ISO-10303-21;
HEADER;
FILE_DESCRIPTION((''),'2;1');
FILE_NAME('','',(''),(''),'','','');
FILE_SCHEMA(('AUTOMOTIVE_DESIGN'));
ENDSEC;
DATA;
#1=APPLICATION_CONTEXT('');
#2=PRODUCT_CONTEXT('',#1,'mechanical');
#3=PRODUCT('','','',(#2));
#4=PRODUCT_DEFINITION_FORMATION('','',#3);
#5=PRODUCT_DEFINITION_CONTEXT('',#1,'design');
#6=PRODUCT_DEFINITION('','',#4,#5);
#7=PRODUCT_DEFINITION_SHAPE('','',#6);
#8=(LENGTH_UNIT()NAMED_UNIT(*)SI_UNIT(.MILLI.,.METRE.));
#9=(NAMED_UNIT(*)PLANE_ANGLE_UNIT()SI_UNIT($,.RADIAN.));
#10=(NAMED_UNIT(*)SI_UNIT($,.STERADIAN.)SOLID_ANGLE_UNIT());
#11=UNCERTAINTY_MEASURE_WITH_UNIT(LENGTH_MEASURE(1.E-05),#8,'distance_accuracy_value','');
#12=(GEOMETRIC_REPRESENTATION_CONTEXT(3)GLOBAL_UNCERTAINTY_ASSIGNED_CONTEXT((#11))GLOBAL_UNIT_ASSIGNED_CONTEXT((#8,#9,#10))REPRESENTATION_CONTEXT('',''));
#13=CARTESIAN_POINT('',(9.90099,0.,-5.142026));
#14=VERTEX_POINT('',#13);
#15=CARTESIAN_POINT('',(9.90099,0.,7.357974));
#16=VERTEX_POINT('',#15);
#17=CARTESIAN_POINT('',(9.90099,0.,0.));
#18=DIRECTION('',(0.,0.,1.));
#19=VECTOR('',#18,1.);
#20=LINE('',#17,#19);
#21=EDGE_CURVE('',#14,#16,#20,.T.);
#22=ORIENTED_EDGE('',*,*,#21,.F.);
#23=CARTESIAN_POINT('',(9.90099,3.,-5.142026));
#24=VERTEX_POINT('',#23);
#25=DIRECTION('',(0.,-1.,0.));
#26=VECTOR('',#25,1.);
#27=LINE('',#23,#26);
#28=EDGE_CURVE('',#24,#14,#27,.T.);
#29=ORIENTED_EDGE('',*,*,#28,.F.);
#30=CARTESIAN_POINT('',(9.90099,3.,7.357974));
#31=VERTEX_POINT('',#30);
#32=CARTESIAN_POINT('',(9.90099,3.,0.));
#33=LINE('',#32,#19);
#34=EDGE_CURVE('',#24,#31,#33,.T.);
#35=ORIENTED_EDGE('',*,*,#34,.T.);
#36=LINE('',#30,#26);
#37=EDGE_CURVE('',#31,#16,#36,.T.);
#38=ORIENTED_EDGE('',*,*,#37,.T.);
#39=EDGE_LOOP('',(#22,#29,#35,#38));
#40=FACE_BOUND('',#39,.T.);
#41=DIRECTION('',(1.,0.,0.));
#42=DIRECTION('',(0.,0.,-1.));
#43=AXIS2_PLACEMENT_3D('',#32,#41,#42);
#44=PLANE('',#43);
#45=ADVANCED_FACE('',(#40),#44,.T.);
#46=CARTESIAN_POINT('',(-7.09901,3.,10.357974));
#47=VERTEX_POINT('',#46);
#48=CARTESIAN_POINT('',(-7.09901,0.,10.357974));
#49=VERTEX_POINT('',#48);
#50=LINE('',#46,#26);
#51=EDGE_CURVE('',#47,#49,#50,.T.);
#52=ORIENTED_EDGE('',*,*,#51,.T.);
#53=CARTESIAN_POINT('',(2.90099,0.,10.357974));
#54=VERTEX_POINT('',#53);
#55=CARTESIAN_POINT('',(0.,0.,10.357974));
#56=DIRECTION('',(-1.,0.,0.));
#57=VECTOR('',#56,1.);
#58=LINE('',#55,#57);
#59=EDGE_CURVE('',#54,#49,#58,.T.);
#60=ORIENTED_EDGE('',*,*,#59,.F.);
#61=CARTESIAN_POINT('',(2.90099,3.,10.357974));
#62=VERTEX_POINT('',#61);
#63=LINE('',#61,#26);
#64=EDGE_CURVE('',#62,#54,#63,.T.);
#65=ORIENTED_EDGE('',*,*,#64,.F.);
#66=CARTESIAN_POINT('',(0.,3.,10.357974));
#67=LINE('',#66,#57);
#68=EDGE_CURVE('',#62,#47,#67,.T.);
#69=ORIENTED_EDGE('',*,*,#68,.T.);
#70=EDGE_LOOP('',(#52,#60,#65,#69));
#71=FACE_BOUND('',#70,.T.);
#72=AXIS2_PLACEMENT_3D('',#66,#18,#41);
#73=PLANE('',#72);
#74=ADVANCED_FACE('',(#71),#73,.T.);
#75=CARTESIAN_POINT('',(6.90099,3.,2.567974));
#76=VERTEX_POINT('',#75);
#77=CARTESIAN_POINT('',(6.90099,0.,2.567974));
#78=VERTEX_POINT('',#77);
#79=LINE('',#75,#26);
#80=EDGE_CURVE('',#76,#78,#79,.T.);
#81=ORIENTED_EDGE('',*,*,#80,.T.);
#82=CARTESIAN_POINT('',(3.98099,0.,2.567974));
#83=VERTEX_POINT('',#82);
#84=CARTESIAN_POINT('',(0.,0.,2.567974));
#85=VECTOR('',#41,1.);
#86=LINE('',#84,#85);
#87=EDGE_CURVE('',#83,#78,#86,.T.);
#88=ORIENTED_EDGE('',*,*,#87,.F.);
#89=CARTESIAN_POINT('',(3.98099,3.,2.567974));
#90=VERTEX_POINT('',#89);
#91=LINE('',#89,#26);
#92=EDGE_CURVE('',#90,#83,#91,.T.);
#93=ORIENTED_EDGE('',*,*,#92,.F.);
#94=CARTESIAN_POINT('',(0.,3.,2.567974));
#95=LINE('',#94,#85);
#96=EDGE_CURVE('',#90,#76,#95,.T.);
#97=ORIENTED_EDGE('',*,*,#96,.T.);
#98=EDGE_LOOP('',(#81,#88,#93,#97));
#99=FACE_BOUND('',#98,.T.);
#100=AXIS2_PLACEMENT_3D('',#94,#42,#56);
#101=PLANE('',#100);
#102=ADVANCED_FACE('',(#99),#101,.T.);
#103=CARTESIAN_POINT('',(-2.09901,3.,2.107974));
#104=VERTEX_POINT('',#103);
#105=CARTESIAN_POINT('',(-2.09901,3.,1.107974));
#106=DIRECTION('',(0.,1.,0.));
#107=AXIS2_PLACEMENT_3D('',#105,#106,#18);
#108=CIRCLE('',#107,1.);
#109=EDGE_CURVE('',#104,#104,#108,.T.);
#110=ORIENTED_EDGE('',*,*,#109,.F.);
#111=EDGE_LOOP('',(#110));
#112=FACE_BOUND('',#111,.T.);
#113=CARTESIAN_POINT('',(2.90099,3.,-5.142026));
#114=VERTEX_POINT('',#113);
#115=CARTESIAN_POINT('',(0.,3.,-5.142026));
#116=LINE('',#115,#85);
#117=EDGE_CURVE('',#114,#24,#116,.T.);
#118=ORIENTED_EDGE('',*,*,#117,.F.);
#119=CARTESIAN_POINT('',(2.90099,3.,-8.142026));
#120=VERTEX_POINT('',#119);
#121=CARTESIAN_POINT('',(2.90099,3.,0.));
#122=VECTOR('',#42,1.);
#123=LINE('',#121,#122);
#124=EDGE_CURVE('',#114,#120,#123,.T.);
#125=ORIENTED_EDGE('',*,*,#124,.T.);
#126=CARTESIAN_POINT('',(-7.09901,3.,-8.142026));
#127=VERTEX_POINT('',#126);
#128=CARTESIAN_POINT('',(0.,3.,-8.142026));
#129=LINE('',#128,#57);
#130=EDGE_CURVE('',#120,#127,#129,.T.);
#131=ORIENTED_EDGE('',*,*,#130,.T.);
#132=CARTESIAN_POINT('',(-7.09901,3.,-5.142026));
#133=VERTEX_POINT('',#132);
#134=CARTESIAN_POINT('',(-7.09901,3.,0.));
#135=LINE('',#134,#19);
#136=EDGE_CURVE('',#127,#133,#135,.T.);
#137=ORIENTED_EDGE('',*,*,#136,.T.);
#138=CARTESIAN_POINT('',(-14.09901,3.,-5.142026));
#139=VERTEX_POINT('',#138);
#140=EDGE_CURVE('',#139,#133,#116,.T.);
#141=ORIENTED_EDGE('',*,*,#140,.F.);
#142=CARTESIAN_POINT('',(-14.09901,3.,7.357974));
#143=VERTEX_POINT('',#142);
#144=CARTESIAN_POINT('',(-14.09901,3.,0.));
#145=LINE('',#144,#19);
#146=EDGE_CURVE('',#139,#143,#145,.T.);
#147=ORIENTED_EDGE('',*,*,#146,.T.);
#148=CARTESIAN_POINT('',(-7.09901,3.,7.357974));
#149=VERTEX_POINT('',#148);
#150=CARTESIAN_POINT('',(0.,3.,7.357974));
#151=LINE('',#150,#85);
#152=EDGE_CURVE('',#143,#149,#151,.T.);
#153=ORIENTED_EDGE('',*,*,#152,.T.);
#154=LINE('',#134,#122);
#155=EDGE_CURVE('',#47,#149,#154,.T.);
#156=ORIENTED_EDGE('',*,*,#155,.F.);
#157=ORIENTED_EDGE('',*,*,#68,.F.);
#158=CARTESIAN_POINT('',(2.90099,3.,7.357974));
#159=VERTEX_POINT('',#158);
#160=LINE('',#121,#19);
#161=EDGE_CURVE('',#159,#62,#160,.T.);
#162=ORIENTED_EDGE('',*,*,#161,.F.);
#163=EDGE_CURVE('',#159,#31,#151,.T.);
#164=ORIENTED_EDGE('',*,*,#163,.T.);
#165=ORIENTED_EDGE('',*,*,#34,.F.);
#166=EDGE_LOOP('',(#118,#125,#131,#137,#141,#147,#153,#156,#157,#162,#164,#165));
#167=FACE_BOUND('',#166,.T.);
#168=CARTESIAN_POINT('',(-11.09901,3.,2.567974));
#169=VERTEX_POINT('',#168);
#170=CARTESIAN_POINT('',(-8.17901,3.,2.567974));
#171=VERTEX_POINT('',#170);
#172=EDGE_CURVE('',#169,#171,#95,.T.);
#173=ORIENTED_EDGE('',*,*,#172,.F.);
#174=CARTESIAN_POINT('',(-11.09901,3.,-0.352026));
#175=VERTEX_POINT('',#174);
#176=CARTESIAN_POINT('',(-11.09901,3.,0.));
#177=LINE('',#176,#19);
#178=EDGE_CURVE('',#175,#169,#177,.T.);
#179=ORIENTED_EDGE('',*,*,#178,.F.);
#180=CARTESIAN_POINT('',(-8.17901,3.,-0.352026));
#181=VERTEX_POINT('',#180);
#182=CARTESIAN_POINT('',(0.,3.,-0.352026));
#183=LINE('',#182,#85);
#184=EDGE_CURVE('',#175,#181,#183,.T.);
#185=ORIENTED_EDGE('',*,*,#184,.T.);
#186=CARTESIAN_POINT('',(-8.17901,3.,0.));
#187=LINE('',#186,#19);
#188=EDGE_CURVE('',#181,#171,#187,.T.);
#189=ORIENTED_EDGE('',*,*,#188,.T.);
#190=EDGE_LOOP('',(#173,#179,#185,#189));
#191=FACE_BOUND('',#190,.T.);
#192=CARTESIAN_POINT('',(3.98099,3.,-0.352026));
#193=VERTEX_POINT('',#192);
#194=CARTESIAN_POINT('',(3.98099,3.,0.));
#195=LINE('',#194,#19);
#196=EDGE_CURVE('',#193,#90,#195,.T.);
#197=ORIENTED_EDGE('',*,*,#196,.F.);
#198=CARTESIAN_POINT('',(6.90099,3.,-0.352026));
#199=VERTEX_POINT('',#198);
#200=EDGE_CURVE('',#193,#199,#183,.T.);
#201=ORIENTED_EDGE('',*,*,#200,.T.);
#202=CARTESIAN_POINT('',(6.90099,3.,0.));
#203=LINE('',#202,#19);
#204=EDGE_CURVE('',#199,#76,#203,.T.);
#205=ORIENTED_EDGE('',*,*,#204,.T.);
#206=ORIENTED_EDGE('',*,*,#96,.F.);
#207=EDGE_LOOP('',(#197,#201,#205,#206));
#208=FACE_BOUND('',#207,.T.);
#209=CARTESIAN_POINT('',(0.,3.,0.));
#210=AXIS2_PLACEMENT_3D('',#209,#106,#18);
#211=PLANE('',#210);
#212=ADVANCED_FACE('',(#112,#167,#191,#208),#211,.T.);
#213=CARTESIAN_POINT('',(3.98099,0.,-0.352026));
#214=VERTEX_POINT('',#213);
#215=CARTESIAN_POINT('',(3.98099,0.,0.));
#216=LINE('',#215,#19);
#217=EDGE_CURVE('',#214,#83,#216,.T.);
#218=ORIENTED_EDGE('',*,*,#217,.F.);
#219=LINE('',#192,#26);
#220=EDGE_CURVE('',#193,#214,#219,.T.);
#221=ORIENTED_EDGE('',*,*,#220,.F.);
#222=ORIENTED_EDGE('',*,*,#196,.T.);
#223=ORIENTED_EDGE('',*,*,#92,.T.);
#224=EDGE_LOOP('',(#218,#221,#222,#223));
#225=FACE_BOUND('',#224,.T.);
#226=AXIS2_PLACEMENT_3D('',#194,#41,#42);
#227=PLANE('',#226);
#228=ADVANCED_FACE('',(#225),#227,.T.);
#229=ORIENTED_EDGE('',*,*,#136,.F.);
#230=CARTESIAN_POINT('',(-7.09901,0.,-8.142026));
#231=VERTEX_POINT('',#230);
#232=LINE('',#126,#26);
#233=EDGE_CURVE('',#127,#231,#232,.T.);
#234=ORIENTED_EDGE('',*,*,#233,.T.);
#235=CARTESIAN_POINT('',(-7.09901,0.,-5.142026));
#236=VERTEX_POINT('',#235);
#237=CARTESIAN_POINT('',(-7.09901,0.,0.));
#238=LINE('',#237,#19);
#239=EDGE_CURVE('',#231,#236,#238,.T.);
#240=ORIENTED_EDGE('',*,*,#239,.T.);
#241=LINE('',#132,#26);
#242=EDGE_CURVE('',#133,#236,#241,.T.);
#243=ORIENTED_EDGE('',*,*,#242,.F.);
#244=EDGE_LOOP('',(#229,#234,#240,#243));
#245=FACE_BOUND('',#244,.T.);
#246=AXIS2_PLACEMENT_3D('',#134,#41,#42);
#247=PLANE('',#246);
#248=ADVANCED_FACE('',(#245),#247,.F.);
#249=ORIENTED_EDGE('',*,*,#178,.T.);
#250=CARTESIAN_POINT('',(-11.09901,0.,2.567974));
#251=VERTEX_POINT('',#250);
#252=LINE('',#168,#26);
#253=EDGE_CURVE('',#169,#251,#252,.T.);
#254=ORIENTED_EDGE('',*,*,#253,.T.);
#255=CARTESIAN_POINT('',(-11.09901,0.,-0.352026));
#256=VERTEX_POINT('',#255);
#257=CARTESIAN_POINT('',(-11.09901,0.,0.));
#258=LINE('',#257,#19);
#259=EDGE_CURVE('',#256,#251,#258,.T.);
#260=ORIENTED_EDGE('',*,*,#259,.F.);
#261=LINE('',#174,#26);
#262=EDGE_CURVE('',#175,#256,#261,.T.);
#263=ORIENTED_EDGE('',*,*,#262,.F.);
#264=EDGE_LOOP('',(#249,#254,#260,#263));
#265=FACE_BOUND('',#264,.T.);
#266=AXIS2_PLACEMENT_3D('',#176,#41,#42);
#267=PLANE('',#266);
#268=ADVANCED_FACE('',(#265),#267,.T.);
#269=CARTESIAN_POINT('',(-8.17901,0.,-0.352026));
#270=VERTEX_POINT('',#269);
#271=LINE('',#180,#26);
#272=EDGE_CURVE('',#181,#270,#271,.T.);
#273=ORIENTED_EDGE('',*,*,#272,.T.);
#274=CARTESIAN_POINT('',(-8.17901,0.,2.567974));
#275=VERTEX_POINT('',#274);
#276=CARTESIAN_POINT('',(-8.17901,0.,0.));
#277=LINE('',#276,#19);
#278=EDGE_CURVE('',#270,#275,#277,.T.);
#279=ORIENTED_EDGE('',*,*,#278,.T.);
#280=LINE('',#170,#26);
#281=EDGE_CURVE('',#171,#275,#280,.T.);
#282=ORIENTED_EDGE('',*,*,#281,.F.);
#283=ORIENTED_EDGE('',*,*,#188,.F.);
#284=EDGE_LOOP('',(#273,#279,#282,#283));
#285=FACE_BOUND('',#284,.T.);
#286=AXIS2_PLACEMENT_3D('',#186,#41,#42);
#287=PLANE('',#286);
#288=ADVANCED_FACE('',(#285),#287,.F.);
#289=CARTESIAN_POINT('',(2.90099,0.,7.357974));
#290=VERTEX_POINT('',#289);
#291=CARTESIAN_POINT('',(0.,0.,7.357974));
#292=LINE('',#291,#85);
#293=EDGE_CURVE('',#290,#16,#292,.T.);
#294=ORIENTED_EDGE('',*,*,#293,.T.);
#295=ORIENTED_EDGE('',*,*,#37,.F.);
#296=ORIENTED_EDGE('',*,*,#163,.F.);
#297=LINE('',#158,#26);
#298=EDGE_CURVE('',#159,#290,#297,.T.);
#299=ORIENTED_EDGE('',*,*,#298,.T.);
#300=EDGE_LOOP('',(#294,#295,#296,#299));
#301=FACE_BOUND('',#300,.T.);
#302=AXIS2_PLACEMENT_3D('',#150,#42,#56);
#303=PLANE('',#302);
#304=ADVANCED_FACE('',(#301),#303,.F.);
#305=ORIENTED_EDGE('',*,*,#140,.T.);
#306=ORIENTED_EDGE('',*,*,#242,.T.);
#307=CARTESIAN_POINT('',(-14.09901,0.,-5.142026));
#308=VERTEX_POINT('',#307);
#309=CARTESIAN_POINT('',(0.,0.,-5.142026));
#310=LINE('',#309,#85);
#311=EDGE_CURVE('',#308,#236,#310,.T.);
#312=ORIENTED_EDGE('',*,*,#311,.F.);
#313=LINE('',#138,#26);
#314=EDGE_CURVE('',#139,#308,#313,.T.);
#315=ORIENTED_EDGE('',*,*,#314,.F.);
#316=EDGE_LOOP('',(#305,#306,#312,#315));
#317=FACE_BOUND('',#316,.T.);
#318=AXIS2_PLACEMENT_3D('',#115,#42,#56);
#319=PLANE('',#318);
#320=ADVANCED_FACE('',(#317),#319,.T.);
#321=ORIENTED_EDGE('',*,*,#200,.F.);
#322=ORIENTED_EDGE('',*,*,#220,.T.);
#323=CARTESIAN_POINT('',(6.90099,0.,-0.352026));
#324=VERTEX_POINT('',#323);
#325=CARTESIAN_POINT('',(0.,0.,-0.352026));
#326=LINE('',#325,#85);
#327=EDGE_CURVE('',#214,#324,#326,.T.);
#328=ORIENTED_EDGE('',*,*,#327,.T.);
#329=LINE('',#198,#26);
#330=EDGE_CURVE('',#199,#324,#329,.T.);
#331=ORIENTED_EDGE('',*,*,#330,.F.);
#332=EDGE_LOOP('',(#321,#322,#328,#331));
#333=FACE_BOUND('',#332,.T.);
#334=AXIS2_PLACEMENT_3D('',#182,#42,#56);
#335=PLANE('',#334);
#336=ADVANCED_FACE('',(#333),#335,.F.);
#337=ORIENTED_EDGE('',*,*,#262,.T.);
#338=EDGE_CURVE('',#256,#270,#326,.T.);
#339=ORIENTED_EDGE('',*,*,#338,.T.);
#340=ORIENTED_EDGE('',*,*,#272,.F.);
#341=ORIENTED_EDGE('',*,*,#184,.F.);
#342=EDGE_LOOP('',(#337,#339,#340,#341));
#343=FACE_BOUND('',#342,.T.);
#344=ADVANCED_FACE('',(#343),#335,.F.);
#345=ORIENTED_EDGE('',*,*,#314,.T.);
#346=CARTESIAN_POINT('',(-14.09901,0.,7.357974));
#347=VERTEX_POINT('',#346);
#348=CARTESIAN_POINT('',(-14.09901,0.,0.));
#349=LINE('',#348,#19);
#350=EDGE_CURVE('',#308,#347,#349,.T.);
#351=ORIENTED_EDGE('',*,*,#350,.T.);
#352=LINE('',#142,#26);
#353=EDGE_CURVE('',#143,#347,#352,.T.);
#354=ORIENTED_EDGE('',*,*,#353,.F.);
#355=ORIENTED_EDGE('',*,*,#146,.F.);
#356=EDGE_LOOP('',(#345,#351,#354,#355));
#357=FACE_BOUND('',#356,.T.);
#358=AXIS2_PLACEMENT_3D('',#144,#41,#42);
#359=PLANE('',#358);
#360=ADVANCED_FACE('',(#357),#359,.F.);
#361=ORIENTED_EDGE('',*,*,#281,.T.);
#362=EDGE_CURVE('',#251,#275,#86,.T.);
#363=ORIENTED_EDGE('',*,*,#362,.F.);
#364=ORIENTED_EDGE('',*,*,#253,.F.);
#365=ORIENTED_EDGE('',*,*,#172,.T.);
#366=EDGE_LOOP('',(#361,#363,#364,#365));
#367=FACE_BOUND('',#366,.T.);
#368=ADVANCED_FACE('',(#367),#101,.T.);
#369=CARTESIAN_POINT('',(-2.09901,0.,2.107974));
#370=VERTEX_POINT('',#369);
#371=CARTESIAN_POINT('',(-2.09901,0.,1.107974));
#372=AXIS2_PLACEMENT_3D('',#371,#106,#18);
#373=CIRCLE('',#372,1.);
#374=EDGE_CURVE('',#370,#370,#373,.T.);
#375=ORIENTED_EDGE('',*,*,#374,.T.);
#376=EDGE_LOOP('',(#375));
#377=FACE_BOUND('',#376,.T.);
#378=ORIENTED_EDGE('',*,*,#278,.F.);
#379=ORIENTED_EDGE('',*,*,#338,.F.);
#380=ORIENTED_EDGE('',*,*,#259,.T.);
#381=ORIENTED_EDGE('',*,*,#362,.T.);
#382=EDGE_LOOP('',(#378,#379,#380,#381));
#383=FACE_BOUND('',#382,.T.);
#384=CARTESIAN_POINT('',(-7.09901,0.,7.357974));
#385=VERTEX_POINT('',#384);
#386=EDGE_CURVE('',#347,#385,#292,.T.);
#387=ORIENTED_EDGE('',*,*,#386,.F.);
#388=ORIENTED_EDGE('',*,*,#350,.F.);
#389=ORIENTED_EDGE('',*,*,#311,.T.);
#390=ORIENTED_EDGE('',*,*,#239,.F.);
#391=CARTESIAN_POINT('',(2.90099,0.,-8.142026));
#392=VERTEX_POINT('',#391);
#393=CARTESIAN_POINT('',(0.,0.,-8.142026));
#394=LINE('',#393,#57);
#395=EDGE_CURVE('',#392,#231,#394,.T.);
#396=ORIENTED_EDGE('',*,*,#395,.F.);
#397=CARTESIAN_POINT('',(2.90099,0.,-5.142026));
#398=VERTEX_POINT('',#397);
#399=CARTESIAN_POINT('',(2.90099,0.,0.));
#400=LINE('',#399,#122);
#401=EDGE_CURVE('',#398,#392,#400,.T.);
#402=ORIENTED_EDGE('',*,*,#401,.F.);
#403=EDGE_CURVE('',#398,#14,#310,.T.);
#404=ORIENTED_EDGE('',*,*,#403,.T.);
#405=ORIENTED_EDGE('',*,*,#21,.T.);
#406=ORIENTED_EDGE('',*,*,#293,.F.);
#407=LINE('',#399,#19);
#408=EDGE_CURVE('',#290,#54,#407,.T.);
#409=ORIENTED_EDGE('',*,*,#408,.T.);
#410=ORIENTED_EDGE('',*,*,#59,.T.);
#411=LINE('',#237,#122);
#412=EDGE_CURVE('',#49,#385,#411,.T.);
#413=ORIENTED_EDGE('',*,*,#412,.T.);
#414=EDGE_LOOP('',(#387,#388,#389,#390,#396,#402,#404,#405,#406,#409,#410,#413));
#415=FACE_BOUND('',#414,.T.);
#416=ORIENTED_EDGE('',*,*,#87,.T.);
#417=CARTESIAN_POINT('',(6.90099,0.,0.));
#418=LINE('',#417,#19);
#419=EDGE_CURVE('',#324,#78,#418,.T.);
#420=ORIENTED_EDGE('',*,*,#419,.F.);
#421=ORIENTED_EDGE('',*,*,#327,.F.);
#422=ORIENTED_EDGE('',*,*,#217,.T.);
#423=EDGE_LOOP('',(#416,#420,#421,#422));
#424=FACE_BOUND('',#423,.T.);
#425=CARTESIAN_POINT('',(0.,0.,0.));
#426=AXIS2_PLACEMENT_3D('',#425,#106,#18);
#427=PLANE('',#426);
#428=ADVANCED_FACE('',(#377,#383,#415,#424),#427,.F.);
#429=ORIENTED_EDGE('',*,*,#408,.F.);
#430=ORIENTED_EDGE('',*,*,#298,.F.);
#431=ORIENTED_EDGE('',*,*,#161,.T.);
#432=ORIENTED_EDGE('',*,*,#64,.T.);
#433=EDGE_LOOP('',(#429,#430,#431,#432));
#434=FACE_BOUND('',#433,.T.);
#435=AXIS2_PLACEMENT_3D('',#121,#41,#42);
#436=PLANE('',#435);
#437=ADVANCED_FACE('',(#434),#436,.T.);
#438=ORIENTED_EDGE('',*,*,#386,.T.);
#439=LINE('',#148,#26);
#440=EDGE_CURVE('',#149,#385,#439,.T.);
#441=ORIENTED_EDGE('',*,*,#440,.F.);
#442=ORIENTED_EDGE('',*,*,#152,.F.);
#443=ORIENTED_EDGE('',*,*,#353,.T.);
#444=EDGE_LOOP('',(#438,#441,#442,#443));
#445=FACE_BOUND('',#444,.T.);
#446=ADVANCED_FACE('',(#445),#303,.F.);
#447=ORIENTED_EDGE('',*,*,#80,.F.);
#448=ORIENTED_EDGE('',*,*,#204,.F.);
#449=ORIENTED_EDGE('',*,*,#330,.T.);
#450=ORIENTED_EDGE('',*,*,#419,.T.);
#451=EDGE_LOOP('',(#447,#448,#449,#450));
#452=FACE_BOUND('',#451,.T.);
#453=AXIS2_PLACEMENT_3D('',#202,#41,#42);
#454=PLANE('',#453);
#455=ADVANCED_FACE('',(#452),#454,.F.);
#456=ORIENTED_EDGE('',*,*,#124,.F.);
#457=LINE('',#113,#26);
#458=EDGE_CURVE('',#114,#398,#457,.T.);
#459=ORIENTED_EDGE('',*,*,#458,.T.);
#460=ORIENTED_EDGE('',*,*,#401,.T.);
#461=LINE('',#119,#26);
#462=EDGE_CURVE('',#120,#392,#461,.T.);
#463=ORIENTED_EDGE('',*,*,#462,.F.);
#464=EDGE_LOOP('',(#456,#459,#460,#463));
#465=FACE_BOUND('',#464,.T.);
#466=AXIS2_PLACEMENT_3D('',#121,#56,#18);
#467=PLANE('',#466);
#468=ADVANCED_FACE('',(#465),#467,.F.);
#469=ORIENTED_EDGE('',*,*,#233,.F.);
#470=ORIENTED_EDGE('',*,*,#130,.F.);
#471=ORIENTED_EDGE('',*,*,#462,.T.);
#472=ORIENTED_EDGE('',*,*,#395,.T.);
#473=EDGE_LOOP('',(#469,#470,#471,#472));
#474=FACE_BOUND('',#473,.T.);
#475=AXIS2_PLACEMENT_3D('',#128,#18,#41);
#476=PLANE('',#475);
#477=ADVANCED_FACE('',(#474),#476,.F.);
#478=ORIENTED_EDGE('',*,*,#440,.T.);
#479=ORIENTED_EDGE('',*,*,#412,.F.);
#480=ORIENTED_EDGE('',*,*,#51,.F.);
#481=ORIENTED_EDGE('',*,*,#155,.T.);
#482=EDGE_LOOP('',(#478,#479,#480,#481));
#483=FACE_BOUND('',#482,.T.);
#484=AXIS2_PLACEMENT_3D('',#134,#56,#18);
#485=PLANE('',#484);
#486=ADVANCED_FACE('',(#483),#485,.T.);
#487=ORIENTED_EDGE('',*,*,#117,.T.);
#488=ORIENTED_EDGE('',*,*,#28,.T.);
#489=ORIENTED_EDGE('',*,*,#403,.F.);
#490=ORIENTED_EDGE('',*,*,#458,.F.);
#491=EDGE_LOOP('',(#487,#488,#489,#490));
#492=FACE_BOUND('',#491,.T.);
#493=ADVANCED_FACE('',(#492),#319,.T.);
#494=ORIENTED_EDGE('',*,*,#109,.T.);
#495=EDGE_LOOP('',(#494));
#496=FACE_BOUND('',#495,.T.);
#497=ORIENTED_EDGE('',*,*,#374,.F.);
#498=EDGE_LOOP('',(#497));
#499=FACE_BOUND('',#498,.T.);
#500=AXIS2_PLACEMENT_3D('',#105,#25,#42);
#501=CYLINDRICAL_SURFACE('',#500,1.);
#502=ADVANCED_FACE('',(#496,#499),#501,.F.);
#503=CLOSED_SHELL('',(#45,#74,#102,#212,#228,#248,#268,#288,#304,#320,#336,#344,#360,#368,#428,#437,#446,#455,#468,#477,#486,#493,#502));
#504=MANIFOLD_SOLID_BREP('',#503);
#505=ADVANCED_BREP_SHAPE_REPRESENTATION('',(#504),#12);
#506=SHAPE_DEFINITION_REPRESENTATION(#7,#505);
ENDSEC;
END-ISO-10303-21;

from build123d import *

# Parameters (mm, degrees)
SKETCH1_W           = 10
SKETCH1_H           = 3
BOSS_EXTRUDE1_DEPTH = 3


with BuildPart() as part:
    # Sketch1 → Boss-Extrude1 (new body)
    with BuildSketch(Plane(origin=(0, 0, 0), x_dir=(1, 0, 0), z_dir=(0, 1, 0))):
        with BuildLine():
            Line((9.900990099, -7.357973937), (9.900990099, -1.107973937))
            Line((9.900990099, -1.107973937), (6.900990099, -1.107973937))
            Line((6.900990099, -1.107973937), (6.900990099, -2.567973937))
            Line((6.900990099, -2.567973937), (3.980990099, -2.567973937))
            Line((3.980990099, -2.567973937), (3.980990099, -1.107973937))
            Line((3.980990099, -1.107973937), (-1.099009901, -1.107973937))
            ThreePointArc((-1.099009901, -1.107973937), (-2.099009901, -2.107973937), (-3.099009901, -1.107973937))
            Line((-3.099009901, -1.107973937), (-8.179009901, -1.107973937))
            Line((-8.179009901, -1.107973937), (-8.179009901, -2.567973937))
            Line((-8.179009901, -2.567973937), (-11.099009901, -2.567973937))
            Line((-11.099009901, -2.567973937), (-11.099009901, -1.107973937))
            Line((-11.099009901, -1.107973937), (-14.099009901, -1.107973937))
            Line((-14.099009901, -1.107973937), (-14.099009901, -7.357973937))
            Line((-14.099009901, -7.357973937), (-7.099009901, -7.357973937))
            Line((-7.099009901, -7.357973937), (2.900990099, -7.357973937))
            Line((2.900990099, -7.357973937), (9.900990099, -7.357973937))
        make_face()
        with BuildLine():
            Line((9.900990099, 5.142026063), (2.900990099, 5.142026063))
            Line((2.900990099, 5.142026063), (-7.099009901, 5.142026063))
            Line((-7.099009901, 5.142026063), (-14.099009901, 5.142026063))
            Line((-14.099009901, 5.142026063), (-14.099009901, -1.107973937))
            Line((-14.099009901, -1.107973937), (-11.099009901, -1.107973937))
            Line((-11.099009901, -1.107973937), (-11.099009901, 0.352026063))
            Line((-11.099009901, 0.352026063), (-8.179009901, 0.352026063))
            Line((-8.179009901, 0.352026063), (-8.179009901, -1.107973937))
            Line((-8.179009901, -1.107973937), (-3.099009901, -1.107973937))
            ThreePointArc((-3.099009901, -1.107973937), (-2.099009901, -0.107973937), (-1.099009901, -1.107973937))
            Line((-1.099009901, -1.107973937), (3.980990099, -1.107973937))
            Line((3.980990099, -1.107973937), (3.980990099, 0.352026063))
            Line((3.980990099, 0.352026063), (6.900990099, 0.352026063))
            Line((6.900990099, 0.352026063), (6.900990099, -1.107973937))
            Line((6.900990099, -1.107973937), (9.900990099, -1.107973937))
            Line((9.900990099, -1.107973937), (9.900990099, 5.142026063))
        make_face()
        with Locations((-2.099009901, 6.642026063)):
            Rectangle(SKETCH1_W, SKETCH1_H)
        with Locations((-2.099009901, -8.857973937)):
            Rectangle(SKETCH1_W, SKETCH1_H)
    extrude(amount=BOSS_EXTRUDE1_DEPTH)


solid = part.part
